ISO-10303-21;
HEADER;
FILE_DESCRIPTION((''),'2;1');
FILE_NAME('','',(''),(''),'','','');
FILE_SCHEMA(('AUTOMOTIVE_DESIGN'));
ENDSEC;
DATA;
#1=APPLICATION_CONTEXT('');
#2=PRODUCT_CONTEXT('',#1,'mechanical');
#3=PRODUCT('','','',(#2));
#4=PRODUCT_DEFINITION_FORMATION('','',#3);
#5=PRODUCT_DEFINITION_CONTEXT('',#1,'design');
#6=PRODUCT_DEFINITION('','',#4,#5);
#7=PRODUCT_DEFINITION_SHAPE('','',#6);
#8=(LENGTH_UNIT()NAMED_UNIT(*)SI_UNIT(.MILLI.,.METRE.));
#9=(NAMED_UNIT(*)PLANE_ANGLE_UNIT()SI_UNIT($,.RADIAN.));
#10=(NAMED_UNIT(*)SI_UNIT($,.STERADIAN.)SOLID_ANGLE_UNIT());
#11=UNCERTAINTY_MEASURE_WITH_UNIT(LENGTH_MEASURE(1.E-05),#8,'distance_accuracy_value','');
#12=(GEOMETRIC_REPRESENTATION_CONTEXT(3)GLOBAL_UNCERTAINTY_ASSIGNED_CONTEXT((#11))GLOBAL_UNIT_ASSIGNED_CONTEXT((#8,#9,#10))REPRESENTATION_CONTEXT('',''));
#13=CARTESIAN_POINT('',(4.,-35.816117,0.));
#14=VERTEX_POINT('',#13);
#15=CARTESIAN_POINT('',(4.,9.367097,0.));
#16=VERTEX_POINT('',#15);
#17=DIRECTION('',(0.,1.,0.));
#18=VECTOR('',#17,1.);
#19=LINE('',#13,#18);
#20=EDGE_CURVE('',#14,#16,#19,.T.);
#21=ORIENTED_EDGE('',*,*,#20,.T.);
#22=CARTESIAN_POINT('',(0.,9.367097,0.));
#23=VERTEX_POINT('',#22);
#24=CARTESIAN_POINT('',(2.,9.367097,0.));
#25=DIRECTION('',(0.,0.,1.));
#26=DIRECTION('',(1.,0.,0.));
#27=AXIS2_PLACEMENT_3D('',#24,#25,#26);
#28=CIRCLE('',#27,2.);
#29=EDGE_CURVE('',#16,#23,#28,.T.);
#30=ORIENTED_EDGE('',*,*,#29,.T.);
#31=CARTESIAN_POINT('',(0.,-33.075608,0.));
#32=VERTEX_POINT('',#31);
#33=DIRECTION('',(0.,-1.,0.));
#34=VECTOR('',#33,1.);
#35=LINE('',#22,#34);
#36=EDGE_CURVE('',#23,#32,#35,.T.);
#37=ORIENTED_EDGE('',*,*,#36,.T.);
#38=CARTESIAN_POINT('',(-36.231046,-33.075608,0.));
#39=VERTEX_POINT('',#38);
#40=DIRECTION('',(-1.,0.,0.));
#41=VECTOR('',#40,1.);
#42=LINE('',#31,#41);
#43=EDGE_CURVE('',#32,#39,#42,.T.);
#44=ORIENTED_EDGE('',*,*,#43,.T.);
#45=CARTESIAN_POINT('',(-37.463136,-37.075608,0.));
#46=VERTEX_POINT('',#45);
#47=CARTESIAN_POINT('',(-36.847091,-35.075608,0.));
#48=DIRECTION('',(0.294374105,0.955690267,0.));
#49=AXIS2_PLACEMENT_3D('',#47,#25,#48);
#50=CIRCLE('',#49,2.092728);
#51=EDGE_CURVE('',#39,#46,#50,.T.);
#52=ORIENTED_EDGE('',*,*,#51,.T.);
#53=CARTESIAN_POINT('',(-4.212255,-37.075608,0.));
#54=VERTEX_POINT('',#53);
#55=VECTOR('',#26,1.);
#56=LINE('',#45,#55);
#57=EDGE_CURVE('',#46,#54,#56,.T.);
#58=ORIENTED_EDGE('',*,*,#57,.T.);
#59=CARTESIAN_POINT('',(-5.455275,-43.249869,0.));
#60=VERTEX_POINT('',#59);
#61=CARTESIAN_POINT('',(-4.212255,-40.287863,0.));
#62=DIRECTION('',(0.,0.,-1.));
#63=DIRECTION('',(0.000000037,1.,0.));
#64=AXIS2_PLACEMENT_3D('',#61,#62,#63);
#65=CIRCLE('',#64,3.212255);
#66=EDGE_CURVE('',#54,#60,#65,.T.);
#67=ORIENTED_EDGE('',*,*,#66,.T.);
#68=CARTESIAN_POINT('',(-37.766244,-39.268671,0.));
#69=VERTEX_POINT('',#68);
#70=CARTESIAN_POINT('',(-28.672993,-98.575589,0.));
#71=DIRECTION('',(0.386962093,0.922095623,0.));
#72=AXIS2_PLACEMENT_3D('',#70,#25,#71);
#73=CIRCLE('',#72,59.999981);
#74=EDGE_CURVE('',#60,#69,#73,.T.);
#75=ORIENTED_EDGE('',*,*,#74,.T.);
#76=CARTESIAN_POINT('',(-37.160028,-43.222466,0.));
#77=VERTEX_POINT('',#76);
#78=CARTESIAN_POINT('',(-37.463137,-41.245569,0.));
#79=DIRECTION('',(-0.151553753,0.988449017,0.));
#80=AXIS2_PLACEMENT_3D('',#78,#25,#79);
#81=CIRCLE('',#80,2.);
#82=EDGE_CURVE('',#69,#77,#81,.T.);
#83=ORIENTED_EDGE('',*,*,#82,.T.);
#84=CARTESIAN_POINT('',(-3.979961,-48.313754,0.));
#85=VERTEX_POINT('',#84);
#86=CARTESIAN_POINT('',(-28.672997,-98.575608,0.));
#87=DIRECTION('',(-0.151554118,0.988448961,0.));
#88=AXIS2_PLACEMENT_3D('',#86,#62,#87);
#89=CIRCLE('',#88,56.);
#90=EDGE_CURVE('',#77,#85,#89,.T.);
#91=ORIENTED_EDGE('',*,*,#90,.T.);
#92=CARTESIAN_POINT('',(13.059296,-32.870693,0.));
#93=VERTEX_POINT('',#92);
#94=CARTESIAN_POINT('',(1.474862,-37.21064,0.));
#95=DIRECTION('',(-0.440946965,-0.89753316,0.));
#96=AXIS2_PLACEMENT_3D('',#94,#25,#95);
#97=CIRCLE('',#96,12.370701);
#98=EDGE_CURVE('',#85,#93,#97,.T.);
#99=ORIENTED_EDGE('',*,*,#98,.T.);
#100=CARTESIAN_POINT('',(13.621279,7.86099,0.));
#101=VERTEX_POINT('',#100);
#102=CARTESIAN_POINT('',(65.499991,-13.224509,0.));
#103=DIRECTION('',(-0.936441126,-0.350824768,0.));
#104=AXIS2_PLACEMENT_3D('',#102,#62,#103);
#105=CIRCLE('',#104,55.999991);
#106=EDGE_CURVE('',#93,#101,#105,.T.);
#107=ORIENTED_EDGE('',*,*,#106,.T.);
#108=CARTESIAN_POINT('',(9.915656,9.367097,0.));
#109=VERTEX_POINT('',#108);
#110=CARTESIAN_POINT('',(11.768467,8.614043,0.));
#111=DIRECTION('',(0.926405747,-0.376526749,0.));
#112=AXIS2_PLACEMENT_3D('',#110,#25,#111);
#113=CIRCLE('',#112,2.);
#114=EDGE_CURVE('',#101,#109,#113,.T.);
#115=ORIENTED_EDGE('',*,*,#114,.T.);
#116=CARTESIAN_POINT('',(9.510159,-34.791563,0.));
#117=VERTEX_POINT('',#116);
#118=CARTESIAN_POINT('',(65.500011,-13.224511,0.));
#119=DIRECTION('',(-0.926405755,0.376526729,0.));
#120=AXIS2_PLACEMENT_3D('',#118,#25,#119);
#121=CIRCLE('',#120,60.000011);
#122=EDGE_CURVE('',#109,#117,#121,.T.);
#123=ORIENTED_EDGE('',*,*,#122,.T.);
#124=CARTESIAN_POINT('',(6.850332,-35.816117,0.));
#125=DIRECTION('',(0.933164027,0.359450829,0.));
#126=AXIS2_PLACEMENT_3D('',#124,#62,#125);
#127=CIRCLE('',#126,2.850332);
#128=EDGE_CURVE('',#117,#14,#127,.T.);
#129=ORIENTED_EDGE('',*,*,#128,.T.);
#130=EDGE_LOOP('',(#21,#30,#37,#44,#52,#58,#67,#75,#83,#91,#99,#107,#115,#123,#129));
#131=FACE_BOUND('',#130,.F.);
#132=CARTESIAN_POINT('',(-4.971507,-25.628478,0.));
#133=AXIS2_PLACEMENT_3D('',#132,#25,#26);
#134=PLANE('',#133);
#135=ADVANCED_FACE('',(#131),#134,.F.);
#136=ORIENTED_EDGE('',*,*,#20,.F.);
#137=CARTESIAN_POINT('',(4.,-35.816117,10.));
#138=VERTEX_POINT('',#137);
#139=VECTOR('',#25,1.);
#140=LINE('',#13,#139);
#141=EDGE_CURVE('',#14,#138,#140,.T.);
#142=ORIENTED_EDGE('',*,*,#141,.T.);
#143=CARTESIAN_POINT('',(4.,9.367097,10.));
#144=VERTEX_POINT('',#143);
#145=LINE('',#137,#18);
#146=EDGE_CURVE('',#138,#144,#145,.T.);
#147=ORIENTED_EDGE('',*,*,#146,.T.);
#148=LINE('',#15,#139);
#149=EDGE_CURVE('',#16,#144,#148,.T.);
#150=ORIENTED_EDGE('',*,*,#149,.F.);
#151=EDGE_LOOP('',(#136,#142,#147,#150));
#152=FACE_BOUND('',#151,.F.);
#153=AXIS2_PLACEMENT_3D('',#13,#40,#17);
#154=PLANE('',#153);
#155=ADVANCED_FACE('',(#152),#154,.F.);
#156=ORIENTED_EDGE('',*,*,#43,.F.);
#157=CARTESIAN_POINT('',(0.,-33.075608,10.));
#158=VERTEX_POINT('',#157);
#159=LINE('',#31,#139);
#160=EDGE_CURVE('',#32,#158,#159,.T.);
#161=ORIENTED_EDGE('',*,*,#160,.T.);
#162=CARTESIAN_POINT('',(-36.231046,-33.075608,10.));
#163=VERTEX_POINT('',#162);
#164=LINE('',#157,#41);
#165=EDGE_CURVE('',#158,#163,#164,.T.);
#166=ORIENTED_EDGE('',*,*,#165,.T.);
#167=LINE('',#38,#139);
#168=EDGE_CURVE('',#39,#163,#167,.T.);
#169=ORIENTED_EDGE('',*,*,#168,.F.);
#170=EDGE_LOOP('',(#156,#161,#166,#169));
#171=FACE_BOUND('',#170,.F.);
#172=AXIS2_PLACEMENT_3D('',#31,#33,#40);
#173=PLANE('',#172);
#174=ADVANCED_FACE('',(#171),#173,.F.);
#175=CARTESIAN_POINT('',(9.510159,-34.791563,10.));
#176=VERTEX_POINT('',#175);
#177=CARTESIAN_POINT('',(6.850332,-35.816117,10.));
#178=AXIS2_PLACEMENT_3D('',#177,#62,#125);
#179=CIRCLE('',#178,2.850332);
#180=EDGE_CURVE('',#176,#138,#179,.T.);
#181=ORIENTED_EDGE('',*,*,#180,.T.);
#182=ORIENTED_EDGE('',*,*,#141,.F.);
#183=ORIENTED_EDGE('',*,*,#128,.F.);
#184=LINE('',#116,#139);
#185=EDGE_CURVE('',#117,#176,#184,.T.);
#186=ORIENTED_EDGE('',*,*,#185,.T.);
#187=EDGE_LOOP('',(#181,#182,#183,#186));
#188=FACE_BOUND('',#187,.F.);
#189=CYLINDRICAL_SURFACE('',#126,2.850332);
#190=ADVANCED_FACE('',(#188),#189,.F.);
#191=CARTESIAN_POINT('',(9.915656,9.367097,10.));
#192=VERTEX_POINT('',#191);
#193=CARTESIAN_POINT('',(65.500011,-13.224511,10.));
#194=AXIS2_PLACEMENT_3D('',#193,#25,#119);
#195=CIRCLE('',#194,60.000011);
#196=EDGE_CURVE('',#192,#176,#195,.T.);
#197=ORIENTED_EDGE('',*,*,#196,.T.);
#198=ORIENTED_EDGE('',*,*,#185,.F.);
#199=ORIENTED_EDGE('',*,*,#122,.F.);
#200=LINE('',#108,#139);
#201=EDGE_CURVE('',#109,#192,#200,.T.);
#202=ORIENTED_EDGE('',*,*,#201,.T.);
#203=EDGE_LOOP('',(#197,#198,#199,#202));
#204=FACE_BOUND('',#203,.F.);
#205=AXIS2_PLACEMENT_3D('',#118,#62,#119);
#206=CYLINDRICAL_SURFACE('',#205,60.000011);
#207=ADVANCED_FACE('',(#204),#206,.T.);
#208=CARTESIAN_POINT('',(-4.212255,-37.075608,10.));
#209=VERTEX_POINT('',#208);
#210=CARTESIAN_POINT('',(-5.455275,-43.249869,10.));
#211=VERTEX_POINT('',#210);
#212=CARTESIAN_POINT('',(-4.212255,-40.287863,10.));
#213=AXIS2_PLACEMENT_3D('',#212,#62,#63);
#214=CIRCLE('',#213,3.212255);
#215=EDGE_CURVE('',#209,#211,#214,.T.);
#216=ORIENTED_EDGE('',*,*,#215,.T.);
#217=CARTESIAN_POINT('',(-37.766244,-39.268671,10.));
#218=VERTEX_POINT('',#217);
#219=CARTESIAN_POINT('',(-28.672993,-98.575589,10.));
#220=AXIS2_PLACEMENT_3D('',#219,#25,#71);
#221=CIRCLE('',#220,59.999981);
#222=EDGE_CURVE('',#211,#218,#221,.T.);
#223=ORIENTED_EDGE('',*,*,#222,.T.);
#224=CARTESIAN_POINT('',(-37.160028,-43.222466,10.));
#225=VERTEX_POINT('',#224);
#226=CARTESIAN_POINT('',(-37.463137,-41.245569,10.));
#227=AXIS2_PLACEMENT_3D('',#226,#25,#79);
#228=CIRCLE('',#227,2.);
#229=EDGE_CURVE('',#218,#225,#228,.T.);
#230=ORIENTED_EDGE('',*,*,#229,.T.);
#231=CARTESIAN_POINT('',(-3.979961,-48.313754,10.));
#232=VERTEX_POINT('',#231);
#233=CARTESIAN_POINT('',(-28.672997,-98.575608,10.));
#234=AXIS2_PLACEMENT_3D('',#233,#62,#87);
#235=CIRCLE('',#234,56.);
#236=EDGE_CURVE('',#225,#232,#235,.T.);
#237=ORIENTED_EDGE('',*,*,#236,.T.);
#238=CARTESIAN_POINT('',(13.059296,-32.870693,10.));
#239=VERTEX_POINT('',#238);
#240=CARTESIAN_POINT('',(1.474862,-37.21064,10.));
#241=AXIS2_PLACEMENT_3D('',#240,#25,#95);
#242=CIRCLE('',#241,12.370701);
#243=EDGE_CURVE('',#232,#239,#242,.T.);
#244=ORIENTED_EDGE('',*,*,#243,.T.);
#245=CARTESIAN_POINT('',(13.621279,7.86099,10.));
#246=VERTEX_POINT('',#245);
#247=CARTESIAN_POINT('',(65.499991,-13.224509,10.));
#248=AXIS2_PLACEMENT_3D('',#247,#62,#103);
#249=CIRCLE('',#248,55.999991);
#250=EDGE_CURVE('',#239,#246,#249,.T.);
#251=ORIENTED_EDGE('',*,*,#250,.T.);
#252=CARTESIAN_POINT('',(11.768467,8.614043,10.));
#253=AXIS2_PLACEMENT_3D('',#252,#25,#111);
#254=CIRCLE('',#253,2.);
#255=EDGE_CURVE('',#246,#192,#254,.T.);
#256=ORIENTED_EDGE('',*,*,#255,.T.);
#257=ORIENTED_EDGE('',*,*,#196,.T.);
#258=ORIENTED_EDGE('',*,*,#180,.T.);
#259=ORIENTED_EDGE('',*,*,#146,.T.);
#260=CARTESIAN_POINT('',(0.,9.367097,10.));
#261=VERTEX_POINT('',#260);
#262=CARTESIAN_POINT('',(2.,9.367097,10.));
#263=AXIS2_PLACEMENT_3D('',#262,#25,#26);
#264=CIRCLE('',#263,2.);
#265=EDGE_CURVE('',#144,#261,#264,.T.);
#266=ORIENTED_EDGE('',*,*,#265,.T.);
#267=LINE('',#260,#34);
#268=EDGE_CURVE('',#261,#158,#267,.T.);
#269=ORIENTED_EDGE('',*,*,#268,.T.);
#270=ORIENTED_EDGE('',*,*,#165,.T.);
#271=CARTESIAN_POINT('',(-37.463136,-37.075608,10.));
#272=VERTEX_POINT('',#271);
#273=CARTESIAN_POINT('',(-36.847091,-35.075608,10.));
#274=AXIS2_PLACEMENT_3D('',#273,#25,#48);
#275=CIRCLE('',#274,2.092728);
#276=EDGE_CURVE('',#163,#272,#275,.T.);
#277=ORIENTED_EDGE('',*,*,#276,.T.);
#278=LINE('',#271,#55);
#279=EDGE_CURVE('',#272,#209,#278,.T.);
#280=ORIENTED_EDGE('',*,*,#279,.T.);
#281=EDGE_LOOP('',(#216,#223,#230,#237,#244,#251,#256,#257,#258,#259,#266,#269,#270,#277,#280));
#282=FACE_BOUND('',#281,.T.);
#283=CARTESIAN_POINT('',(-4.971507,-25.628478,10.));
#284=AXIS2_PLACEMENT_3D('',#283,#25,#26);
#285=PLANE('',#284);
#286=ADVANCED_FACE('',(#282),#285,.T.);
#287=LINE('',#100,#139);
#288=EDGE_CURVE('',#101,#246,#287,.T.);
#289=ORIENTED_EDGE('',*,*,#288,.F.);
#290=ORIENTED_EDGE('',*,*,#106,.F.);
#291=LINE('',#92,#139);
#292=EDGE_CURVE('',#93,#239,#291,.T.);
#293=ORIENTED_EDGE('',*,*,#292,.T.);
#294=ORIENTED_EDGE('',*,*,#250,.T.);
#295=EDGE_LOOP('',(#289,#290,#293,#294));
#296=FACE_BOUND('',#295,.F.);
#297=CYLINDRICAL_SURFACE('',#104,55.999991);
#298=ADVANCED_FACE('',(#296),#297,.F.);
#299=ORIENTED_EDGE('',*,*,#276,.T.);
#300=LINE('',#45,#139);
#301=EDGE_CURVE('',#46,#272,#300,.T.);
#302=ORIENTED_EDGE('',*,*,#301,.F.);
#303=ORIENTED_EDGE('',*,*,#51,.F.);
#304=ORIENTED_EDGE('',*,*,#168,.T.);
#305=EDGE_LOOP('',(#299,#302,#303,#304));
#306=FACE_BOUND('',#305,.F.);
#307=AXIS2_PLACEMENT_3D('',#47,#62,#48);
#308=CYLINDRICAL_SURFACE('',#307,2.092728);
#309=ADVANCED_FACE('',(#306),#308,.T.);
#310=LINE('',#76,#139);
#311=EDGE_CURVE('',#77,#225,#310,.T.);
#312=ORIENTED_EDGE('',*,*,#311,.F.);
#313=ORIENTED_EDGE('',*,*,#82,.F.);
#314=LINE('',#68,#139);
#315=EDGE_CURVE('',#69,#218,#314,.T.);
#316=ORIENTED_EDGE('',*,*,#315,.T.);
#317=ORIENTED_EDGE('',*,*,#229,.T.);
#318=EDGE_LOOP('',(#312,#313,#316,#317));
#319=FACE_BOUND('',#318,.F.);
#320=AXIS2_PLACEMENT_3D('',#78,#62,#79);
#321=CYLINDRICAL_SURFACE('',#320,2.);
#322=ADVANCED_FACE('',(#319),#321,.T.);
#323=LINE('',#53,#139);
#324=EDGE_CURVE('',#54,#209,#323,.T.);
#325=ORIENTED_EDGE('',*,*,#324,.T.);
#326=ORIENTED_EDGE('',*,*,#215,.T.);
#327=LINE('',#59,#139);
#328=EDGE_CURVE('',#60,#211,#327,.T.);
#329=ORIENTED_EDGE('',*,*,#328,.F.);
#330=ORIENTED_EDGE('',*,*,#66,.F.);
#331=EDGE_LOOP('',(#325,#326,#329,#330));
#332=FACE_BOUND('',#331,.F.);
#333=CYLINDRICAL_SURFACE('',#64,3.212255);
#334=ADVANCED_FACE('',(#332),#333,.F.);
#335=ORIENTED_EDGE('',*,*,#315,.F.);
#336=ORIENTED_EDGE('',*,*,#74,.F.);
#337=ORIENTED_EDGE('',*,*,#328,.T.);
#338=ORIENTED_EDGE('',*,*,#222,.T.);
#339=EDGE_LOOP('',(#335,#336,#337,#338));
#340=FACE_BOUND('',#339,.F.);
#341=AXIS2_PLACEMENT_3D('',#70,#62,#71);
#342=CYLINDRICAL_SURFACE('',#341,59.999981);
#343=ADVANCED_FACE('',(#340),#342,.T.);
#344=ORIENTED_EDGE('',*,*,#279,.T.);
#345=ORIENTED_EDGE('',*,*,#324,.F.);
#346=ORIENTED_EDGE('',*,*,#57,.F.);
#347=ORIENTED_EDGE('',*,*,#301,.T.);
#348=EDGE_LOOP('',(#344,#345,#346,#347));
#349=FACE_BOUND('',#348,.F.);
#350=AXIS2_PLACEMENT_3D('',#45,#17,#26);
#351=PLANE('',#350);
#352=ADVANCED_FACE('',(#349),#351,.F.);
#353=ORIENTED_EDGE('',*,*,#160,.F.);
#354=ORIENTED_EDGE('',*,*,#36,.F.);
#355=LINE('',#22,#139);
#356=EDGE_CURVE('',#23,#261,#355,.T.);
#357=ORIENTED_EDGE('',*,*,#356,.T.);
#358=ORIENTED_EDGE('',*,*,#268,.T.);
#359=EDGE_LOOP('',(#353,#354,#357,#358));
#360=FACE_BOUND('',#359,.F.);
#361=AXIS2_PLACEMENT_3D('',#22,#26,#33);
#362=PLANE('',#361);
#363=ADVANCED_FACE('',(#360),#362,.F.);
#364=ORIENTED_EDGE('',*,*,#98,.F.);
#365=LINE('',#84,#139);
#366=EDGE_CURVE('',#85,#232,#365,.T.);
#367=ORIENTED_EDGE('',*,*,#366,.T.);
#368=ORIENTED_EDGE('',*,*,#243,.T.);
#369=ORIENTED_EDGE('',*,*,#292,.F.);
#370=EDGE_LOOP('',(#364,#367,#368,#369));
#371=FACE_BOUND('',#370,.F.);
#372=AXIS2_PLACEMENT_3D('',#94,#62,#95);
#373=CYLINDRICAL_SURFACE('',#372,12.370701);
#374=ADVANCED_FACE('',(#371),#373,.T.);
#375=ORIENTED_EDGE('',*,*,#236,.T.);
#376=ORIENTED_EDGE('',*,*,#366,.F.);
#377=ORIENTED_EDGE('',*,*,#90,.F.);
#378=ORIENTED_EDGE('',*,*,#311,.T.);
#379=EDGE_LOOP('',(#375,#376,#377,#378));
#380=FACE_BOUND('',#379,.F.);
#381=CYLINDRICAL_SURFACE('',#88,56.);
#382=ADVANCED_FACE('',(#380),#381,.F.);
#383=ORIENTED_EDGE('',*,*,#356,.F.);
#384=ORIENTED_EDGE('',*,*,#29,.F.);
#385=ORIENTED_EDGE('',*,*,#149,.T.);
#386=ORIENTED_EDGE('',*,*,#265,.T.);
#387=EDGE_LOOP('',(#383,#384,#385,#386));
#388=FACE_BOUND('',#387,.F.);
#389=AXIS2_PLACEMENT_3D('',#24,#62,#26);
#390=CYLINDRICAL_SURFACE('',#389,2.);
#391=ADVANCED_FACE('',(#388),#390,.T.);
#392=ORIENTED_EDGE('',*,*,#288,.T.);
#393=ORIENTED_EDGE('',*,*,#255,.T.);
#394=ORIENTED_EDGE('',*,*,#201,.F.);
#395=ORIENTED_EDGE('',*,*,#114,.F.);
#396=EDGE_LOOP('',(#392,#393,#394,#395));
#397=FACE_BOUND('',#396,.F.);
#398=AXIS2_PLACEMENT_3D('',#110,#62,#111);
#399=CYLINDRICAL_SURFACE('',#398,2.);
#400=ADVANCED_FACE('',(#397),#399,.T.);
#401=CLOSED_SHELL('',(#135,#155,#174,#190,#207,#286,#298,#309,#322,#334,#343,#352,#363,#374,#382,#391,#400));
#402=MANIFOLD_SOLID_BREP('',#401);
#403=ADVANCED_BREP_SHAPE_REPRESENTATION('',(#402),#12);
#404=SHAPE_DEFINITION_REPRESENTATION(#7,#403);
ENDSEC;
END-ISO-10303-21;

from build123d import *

# Parameters (mm, degrees)
F1_DEPTH = 10


with BuildPart() as f1:
    # F0 (on Top) → F1 (new body)
    with BuildSketch(Plane.XY):
        with BuildLine():
            Line((0, 9.367097), (0, -21.861747))
            Line((0, -21.861747), (0, -33.075608))
            Line((0, -33.075608), (-7.774998, -33.075608))
            Line((-7.774998, -33.075608), (-36.231046, -33.075608))
            ThreePointArc((-36.231046, -33.075608), (-38.847091, -34.459563), (-37.463136, -37.075608))
            Line((-37.463136, -37.075608), (-4.212255, -37.075608))
            ThreePointArc((-4.212255, -37.075608), (-1.063184, -40.921843), (-5.455275, -43.249869))
            ThreePointArc((-5.455275, -43.249869), (-21.33558, -39.025945), (-37.766244, -39.268671))
            ThreePointArc((-37.766244, -39.268671), (-39.440034, -41.548677), (-37.160028, -43.222466))
            ThreePointArc((-37.160028, -43.222466), (-20.179532, -43.223453), (-3.979961, -48.313754))
            ThreePointArc((-3.979961, -48.313754), (9.782393, -46.376837), (13.059296, -32.870693))
            ThreePointArc((13.059296, -32.870693), (9.505329, -12.45194), (13.621279, 7.86099))
            ThreePointArc((13.621279, 7.86099), (12.521521, 10.466855), (9.915656, 9.367097))
            ThreePointArc((9.915656, 9.367097), (5.50253, -12.67357), (9.510159, -34.791563))
            ThreePointArc((9.510159, -34.791563), (7.37139, -38.618418), (4, -35.816117))
            Line((4, -35.816117), (4, 9.367097))
            ThreePointArc((4, 9.367097), (2, 11.367097), (0, 9.367097))
        make_face()
    extrude(amount=F1_DEPTH)


solid = f1.part
